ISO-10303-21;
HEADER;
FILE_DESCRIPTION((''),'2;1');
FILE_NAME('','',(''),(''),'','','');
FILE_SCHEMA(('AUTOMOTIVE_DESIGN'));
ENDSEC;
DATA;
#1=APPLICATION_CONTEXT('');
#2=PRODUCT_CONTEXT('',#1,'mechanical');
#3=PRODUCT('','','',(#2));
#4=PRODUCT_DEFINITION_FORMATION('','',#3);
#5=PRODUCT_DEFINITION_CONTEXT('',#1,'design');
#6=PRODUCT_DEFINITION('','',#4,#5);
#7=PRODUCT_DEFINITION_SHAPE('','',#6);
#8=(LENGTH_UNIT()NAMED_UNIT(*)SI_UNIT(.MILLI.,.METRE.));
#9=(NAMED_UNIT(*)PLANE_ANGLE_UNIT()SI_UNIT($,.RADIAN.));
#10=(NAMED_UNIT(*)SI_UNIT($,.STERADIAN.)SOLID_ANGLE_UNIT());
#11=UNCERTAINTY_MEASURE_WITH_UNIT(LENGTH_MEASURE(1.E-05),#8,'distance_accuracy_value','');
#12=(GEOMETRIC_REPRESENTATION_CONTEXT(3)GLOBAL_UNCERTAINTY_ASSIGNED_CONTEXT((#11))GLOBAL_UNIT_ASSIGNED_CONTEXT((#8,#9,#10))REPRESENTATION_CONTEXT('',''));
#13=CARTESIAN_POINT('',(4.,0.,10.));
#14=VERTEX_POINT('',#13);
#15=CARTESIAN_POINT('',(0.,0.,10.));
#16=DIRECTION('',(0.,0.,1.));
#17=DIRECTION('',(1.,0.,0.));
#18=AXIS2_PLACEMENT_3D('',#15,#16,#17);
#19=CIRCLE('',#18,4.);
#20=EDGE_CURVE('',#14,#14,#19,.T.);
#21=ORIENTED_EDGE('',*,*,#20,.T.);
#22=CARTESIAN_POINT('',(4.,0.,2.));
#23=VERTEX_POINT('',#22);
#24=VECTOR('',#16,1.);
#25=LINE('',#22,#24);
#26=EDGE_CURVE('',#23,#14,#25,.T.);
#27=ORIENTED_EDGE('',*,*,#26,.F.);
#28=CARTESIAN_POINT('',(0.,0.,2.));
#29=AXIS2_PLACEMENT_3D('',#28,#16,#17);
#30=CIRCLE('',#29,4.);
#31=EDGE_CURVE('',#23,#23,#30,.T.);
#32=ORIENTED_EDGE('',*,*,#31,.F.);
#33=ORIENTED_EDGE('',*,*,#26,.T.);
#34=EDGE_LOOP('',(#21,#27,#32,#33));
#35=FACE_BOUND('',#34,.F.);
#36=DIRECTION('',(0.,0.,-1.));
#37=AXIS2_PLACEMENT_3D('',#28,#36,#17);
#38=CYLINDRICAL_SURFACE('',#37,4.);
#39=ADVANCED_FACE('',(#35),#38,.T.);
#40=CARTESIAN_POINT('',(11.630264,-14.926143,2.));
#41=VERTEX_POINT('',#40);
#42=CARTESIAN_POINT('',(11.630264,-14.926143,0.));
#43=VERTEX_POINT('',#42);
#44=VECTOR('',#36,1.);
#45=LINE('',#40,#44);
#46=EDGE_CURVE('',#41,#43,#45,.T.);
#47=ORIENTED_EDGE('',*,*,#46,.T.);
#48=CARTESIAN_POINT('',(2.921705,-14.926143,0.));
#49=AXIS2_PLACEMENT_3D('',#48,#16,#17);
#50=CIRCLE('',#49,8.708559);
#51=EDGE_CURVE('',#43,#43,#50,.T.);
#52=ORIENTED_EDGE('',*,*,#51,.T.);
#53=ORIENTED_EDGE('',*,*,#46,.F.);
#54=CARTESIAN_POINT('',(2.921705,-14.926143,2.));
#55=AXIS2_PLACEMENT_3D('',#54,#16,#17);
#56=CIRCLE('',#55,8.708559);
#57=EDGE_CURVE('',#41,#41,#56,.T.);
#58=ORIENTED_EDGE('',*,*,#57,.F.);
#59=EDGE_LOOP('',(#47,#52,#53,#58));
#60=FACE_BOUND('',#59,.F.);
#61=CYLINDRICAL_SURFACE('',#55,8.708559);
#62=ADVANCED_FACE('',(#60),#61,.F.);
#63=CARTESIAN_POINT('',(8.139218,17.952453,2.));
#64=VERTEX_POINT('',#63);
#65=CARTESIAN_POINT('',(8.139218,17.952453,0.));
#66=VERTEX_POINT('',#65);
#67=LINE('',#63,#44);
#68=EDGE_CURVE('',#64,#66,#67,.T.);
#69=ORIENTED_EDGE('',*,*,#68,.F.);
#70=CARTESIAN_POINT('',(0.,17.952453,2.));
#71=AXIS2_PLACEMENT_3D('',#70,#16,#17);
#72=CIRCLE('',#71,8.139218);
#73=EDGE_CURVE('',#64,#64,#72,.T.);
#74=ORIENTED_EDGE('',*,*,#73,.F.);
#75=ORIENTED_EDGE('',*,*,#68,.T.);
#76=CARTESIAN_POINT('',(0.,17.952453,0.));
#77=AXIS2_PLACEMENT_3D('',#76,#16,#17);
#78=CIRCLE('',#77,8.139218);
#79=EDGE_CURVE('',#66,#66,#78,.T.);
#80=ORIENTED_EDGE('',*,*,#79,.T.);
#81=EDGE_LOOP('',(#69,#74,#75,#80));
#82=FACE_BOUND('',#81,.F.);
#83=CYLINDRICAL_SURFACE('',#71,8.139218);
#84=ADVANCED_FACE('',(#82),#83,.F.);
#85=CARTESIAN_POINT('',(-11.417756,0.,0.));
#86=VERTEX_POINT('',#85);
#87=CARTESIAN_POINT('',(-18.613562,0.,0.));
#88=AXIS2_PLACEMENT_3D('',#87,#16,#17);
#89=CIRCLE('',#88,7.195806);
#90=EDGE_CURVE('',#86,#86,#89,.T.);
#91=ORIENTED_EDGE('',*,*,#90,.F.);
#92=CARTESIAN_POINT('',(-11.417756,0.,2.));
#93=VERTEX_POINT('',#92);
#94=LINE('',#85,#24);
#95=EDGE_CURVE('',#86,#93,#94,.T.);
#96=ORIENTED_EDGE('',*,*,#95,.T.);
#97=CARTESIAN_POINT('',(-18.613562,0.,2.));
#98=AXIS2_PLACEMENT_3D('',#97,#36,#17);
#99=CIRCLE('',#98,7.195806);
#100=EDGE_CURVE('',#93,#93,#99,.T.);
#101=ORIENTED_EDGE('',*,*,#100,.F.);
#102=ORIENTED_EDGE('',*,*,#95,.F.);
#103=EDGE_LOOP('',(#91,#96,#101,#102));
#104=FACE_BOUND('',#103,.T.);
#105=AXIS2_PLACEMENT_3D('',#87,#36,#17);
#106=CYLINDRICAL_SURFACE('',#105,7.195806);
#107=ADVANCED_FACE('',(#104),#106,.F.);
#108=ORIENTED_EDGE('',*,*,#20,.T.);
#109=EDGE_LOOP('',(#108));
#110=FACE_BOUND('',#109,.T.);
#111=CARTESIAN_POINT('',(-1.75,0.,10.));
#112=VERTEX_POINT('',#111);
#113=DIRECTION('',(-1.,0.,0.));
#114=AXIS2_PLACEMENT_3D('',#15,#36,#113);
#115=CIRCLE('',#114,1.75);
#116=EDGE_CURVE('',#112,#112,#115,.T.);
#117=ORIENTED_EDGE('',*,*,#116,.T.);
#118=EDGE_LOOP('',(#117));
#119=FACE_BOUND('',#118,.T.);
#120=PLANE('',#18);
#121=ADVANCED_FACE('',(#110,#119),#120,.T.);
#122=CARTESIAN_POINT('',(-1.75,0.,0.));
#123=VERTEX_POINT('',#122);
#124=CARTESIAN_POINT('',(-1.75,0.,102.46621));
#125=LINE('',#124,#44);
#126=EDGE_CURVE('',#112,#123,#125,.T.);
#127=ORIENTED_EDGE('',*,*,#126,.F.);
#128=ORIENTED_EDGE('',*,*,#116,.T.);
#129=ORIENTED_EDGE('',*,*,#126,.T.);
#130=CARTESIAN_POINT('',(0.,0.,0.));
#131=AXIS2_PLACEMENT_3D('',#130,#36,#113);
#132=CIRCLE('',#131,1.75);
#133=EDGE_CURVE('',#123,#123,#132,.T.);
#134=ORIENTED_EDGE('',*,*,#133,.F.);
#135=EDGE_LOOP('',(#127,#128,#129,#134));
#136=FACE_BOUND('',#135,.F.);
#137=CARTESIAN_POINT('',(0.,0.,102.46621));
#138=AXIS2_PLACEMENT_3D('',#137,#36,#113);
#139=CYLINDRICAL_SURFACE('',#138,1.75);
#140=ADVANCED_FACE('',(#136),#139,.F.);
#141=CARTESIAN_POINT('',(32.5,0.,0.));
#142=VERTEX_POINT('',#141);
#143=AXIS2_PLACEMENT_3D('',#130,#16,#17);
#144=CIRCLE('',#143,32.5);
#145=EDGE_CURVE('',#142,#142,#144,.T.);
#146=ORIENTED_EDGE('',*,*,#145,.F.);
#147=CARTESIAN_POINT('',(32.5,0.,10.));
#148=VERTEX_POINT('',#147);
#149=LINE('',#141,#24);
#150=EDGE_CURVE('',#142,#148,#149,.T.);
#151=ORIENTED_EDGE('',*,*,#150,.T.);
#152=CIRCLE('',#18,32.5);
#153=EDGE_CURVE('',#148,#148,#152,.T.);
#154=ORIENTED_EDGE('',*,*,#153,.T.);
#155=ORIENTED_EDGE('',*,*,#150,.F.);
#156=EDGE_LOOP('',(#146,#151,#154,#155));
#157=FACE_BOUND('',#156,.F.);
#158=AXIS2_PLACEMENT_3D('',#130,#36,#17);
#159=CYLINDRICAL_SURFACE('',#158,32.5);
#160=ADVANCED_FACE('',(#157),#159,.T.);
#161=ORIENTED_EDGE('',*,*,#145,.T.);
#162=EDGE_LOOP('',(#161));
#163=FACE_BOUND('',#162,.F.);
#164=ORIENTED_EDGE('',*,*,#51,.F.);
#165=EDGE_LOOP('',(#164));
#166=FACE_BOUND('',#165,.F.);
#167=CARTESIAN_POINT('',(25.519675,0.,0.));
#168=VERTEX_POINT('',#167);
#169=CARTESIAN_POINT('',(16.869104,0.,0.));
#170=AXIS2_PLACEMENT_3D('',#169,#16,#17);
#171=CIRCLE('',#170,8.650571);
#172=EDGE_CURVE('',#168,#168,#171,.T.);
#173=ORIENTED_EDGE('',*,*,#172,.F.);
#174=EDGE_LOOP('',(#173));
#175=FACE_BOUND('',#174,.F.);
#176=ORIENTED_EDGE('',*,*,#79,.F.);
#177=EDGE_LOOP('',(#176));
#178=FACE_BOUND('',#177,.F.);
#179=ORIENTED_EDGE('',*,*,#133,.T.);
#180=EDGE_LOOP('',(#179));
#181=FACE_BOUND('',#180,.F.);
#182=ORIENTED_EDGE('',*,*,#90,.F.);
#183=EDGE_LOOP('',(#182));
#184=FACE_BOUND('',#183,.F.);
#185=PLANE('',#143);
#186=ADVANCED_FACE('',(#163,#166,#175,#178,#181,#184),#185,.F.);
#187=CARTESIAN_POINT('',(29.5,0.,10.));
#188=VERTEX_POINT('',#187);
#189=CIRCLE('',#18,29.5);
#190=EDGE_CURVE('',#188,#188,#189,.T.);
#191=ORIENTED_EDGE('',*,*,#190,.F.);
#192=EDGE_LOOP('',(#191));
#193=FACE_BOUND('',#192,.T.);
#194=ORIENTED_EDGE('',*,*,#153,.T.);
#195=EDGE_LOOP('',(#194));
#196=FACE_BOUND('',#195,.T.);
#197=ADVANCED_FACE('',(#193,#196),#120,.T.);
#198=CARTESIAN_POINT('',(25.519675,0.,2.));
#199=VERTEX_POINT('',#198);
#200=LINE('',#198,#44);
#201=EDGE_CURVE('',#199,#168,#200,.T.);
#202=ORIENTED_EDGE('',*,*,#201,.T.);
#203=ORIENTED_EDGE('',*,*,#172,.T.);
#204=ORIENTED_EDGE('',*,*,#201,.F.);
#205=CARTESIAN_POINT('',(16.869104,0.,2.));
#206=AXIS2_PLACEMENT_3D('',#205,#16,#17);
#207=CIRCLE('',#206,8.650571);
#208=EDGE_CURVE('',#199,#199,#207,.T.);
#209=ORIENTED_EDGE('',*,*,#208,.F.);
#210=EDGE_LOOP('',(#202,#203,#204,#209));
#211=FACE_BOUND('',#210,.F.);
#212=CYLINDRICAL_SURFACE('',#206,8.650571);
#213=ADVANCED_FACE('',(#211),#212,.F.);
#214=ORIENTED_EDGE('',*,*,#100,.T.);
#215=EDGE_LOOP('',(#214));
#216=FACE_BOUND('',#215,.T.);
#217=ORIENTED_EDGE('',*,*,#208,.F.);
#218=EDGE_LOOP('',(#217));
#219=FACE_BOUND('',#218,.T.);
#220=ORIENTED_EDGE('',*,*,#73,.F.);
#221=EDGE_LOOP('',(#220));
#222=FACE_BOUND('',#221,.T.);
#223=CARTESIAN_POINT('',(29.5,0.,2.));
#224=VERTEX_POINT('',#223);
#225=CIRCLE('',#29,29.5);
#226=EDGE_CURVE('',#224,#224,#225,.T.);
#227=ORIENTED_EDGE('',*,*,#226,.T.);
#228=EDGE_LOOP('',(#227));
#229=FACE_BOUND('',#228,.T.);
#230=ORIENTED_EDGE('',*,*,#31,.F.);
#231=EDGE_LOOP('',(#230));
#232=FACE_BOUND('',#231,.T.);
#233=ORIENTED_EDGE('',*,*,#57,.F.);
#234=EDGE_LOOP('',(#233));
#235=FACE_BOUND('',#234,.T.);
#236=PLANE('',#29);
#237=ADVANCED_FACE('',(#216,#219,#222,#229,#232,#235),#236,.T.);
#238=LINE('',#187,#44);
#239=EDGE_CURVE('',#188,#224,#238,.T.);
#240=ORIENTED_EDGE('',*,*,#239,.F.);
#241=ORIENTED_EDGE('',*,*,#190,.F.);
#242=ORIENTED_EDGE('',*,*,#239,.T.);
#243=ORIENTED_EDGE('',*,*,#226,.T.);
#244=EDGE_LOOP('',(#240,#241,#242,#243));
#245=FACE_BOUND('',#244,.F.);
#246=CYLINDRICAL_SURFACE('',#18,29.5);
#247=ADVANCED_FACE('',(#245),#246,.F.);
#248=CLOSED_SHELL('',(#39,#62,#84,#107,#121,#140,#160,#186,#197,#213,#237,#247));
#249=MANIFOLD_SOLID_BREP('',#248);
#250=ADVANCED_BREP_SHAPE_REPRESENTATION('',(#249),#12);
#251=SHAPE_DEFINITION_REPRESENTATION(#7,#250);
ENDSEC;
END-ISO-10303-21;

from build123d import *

# Parameters (mm, degrees)
F0_R      = 32.5
F1_DEPTH  = 10
F2_R      = 29.5
F3_DEPTH  = 8
F4_R      = 4
F5_DEPTH  = 8
F7_D      = 3.5
F9_R      = 7.586322
F10_DEPTH = 25
F11_R     = 7.195806
F12_DEPTH = 8
F13_R     = 8.139218
F14_DEPTH = 8
F15_R     = 9.181934
F16_DEPTH = 8
F17_R     = 9.467051
F18_DEPTH = 8
F19_R     = 8.617722
F20_DEPTH = 8
F21_R     = 8.650571
F22_DEPTH = 8
F23_R     = 7.543209
F24_DEPTH = 2
F25_R     = 9.251874
F26_DEPTH = 2
F27_R     = 9.863577
F28_DEPTH = 2
F29_R     = 8.708559
F30_DEPTH = 25


with BuildPart() as f1:
    # F0 (on Top) → F1 (new body)
    with BuildSketch(Plane.XY):
        Circle(F0_R)
    extrude(amount=F1_DEPTH)

    # F2 (on face) → F3 (cut)
    with BuildSketch(Plane.XY.offset(10)):
        Circle(F2_R)
    extrude(amount=-F3_DEPTH, mode=Mode.SUBTRACT)

    # F4 (on face) → F5 (join)
    with BuildSketch(Plane.XY.offset(2)):
        Circle(F4_R)
    extrude(amount=F5_DEPTH)

    # F7 (through all)
    with Locations(Plane.XY.offset(10)):
        with Locations((0, 0)):
            Hole(F7_D / 2)

    # F9 (on Top) → F10 (cut)
    with BuildSketch(Plane.XY):
        with Locations((-17.948439, -5.982571)):
            Circle(F9_R)
    extrude(amount=-F10_DEPTH, mode=Mode.SUBTRACT)

    # F11 (on Top) → F12 (cut)
    with BuildSketch(Plane.XY):
        with Locations((-18.613562, 0)):
            Circle(F11_R)
    extrude(amount=F12_DEPTH, mode=Mode.SUBTRACT)

    # F13 (on face) → F14 (cut)
    with BuildSketch(Plane.XY.offset(2)):
        with Locations((0, 17.952453)):
            Circle(F13_R)
    extrude(amount=-F14_DEPTH, mode=Mode.SUBTRACT)

    # F15 (on Top) → F16 (cut)
    with BuildSketch(Plane.XY):
        with Locations((-3.715688, -14.254572)):
            Circle(F15_R)
    extrude(amount=-F16_DEPTH, mode=Mode.SUBTRACT)

    # F17 (on Top) → F18 (cut)
    with BuildSketch(Plane.XY):
        with Locations((0, -15.324812)):
            Circle(F17_R)
    extrude(amount=-F18_DEPTH, mode=Mode.SUBTRACT)

    # F19 (on Top) → F20 (cut)
    with BuildSketch(Plane.XY):
        with Locations((15.627168, 0)):
            Circle(F19_R)
    extrude(amount=-F20_DEPTH, mode=Mode.SUBTRACT)

    # F21 (on face) → F22 (cut)
    with BuildSketch(Plane.XY.offset(2)):
        with Locations((16.869104, 0)):
            Circle(F21_R)
    extrude(amount=-F22_DEPTH, mode=Mode.SUBTRACT)

    # F23 (on face) → F24 (join)
    with BuildSketch(Plane.XY.offset(2)):
        with Locations((-4.684343, -11.25865)):
            Circle(F23_R)
    extrude(amount=-F24_DEPTH)

    # F25 (on face) → F26 (join)
    with BuildSketch(Plane.XY.offset(2)):
        with Locations((0, -16.615551)):
            Circle(F25_R)
    extrude(amount=-F26_DEPTH)

    # F27 (on face) → F28 (join)
    with BuildSketch(Plane.XY.offset(2)):
        with Locations((-4.199367, -15.142487)):
            Circle(F27_R)
    extrude(amount=-F28_DEPTH)

    # F29 (on face) → F30 (cut)
    with BuildSketch(Plane.XY.offset(2)):
        with Locations((2.921705, -14.926143)):
            Circle(F29_R)
    extrude(amount=-F30_DEPTH, mode=Mode.SUBTRACT)


solid = f1.part
